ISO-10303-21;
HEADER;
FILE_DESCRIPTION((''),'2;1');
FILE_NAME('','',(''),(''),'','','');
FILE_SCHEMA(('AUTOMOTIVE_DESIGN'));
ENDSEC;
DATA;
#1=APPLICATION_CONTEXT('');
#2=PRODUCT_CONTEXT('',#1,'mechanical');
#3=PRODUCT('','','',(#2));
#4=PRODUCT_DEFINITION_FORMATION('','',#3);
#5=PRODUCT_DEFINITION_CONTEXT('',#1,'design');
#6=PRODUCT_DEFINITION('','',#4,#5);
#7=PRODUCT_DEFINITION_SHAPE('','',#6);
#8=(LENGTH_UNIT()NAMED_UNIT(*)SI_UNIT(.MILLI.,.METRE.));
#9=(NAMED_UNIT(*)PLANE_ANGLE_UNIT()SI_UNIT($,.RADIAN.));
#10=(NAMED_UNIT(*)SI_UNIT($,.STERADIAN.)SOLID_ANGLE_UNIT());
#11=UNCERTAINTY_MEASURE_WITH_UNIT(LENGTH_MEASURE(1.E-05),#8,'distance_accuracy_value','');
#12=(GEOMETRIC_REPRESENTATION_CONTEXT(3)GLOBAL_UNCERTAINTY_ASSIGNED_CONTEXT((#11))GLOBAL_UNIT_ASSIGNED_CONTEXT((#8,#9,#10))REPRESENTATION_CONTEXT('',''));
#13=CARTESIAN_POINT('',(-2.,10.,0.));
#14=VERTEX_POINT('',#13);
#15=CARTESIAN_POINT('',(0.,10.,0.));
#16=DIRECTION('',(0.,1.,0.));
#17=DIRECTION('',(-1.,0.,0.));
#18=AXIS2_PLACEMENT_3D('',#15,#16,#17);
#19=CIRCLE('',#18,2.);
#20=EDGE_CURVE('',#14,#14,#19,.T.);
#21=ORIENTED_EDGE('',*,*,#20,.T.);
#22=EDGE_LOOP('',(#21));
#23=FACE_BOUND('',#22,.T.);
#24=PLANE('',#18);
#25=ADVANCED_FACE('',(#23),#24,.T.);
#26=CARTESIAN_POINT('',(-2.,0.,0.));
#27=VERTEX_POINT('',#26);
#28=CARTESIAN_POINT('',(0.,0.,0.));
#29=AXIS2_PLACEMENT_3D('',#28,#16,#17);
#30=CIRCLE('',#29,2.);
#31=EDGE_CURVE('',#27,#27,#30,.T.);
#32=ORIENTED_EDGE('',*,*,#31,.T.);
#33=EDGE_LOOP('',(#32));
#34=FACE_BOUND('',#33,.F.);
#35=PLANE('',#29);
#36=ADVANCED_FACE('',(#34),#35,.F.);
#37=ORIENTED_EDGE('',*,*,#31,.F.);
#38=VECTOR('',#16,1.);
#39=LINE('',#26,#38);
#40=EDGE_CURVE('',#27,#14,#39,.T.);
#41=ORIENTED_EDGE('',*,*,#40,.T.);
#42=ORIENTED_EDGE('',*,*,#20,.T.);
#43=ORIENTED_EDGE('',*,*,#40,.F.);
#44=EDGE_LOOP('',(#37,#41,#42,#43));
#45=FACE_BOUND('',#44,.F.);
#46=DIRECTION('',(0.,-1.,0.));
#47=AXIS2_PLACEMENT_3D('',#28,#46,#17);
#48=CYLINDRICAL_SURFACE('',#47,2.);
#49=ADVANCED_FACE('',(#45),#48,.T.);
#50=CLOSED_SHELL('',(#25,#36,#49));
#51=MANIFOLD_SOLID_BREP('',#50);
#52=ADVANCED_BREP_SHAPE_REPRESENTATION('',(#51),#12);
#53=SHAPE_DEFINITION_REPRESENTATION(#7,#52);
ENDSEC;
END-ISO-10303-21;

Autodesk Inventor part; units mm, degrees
ref_plane "YZ Plane" through (0, 0, 0) normal (1, 0, 0) x (0, 1, 0)
ref_plane "XZ Plane" through (0, 0, 0) normal (0, 1, 0) x (-1, 0, 0)
ref_plane "XY Plane" through (0, 0, 0) normal (0, 0, 1) x (1, 0, 0)
sketch "Sketch1" plane through (0, 0, 0) normal (0, 1, 0) x (-1, 0, 0)
  circle A0 centre (0, 0) radius 2
  dimension "dia" = 4
extrude "Extrusion1" add sketch "Sketch1" along normal blind 10
equation "\"dia\" = bb_inner_diameter"
equation "\"height\" = 2 * b_mat_thickness"
equation "\"bb_inner_diameter\" = 4"
equation "\"b_mat_thickness\" = 5"
properties part number "Connector"
